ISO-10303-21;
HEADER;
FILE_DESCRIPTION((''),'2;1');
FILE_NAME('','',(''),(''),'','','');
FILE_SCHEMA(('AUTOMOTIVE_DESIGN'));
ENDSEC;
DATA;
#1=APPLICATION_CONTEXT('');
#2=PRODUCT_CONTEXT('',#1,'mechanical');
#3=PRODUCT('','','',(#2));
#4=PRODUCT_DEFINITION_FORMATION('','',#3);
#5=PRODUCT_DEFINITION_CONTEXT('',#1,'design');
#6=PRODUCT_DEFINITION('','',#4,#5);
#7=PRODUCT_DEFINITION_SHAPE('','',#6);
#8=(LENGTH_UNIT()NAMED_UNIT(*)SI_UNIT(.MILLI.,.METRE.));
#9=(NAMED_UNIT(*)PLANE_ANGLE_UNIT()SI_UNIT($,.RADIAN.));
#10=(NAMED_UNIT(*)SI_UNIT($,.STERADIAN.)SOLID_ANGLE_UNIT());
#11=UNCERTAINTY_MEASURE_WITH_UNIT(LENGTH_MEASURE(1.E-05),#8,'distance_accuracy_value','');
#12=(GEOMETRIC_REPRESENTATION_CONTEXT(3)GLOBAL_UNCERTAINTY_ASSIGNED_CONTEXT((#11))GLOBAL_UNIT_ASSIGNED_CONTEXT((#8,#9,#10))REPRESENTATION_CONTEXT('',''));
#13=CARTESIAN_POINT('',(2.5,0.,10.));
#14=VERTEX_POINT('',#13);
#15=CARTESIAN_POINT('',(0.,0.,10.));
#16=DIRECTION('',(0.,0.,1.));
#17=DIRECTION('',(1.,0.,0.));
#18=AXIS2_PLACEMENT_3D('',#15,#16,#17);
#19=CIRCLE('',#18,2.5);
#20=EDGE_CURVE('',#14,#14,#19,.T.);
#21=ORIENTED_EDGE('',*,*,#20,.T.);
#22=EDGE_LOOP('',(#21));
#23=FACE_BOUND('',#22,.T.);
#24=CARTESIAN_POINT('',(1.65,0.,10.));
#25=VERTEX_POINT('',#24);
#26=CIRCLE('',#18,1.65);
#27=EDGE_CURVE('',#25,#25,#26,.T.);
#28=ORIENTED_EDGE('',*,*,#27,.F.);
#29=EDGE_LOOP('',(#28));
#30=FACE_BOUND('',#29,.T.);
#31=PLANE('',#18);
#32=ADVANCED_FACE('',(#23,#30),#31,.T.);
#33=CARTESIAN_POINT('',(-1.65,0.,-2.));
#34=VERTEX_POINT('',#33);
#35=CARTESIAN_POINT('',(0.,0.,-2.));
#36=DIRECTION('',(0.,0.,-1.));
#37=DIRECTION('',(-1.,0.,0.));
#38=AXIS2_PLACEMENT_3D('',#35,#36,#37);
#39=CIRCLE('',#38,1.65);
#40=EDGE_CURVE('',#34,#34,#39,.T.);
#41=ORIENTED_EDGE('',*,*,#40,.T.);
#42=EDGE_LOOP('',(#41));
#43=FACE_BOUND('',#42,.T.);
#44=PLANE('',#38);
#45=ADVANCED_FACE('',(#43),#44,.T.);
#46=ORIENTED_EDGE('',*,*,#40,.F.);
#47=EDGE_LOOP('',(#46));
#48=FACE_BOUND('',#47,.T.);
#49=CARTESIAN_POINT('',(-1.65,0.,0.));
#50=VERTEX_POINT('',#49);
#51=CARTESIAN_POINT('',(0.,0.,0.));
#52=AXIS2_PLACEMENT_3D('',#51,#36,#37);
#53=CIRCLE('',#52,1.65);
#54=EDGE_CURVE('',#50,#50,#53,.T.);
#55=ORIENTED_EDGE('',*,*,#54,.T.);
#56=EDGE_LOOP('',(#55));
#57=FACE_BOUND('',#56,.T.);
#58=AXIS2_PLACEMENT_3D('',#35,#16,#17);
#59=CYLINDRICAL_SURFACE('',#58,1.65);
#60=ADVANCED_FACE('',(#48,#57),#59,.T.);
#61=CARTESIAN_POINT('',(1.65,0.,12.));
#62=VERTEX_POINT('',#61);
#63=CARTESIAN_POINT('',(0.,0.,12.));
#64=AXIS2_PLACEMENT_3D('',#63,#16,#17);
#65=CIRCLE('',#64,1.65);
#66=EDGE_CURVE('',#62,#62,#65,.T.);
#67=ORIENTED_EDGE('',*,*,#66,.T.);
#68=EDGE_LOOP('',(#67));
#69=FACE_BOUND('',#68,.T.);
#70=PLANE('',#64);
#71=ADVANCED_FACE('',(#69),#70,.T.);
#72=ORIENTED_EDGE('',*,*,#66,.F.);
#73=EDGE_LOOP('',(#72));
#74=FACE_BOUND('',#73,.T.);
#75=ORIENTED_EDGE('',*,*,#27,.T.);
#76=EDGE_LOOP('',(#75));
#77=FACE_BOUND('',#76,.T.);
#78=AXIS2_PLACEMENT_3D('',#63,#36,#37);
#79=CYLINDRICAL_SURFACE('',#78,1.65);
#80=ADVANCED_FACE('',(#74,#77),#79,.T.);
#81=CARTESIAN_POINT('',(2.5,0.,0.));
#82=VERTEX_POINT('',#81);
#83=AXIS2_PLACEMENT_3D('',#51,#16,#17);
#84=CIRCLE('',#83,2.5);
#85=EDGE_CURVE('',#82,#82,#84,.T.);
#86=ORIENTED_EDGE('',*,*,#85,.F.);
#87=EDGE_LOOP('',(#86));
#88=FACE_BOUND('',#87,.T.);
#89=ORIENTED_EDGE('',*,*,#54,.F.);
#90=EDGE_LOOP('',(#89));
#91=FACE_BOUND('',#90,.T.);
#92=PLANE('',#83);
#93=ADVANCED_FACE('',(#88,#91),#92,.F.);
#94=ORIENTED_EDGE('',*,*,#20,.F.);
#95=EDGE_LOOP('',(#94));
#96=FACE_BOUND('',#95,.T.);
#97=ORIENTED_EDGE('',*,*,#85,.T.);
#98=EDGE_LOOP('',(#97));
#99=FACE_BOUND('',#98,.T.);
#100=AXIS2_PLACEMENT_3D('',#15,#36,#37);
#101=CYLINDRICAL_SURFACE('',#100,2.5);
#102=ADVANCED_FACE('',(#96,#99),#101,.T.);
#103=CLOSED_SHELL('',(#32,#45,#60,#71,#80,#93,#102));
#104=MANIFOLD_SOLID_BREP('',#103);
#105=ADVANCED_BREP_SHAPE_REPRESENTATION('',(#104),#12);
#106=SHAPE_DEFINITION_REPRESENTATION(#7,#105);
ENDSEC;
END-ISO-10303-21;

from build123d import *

# Parameters (mm, degrees)
ESQUISSE1_R        = 2.5
BOSS_EXTRU_1_DEPTH = 10
ESQUISSE2_R        = 1.65
BOSS_EXTRU_2_DEPTH = 2
ESQUISSE3_R        = 1.65
BOSS_EXTRU_3_DEPTH = 2


with BuildPart() as part:
    # Esquisse1 → Boss.-Extru.1 (new body)
    with BuildSketch(Plane.XY):
        Circle(ESQUISSE1_R)
    extrude(amount=BOSS_EXTRU_1_DEPTH)

    # Esquisse2 → Boss.-Extru.2 (add)
    with BuildSketch(Plane.XY.offset(10)):
        Circle(ESQUISSE2_R)
    extrude(amount=BOSS_EXTRU_2_DEPTH)

    # Esquisse3 → Boss.-Extru.3 (add)
    with BuildSketch(Plane(origin=(0, 0, 0), x_dir=(-1, 0, 0), z_dir=(0, 0, -1))):
        Circle(ESQUISSE3_R)
    extrude(amount=BOSS_EXTRU_3_DEPTH)


solid = part.part
